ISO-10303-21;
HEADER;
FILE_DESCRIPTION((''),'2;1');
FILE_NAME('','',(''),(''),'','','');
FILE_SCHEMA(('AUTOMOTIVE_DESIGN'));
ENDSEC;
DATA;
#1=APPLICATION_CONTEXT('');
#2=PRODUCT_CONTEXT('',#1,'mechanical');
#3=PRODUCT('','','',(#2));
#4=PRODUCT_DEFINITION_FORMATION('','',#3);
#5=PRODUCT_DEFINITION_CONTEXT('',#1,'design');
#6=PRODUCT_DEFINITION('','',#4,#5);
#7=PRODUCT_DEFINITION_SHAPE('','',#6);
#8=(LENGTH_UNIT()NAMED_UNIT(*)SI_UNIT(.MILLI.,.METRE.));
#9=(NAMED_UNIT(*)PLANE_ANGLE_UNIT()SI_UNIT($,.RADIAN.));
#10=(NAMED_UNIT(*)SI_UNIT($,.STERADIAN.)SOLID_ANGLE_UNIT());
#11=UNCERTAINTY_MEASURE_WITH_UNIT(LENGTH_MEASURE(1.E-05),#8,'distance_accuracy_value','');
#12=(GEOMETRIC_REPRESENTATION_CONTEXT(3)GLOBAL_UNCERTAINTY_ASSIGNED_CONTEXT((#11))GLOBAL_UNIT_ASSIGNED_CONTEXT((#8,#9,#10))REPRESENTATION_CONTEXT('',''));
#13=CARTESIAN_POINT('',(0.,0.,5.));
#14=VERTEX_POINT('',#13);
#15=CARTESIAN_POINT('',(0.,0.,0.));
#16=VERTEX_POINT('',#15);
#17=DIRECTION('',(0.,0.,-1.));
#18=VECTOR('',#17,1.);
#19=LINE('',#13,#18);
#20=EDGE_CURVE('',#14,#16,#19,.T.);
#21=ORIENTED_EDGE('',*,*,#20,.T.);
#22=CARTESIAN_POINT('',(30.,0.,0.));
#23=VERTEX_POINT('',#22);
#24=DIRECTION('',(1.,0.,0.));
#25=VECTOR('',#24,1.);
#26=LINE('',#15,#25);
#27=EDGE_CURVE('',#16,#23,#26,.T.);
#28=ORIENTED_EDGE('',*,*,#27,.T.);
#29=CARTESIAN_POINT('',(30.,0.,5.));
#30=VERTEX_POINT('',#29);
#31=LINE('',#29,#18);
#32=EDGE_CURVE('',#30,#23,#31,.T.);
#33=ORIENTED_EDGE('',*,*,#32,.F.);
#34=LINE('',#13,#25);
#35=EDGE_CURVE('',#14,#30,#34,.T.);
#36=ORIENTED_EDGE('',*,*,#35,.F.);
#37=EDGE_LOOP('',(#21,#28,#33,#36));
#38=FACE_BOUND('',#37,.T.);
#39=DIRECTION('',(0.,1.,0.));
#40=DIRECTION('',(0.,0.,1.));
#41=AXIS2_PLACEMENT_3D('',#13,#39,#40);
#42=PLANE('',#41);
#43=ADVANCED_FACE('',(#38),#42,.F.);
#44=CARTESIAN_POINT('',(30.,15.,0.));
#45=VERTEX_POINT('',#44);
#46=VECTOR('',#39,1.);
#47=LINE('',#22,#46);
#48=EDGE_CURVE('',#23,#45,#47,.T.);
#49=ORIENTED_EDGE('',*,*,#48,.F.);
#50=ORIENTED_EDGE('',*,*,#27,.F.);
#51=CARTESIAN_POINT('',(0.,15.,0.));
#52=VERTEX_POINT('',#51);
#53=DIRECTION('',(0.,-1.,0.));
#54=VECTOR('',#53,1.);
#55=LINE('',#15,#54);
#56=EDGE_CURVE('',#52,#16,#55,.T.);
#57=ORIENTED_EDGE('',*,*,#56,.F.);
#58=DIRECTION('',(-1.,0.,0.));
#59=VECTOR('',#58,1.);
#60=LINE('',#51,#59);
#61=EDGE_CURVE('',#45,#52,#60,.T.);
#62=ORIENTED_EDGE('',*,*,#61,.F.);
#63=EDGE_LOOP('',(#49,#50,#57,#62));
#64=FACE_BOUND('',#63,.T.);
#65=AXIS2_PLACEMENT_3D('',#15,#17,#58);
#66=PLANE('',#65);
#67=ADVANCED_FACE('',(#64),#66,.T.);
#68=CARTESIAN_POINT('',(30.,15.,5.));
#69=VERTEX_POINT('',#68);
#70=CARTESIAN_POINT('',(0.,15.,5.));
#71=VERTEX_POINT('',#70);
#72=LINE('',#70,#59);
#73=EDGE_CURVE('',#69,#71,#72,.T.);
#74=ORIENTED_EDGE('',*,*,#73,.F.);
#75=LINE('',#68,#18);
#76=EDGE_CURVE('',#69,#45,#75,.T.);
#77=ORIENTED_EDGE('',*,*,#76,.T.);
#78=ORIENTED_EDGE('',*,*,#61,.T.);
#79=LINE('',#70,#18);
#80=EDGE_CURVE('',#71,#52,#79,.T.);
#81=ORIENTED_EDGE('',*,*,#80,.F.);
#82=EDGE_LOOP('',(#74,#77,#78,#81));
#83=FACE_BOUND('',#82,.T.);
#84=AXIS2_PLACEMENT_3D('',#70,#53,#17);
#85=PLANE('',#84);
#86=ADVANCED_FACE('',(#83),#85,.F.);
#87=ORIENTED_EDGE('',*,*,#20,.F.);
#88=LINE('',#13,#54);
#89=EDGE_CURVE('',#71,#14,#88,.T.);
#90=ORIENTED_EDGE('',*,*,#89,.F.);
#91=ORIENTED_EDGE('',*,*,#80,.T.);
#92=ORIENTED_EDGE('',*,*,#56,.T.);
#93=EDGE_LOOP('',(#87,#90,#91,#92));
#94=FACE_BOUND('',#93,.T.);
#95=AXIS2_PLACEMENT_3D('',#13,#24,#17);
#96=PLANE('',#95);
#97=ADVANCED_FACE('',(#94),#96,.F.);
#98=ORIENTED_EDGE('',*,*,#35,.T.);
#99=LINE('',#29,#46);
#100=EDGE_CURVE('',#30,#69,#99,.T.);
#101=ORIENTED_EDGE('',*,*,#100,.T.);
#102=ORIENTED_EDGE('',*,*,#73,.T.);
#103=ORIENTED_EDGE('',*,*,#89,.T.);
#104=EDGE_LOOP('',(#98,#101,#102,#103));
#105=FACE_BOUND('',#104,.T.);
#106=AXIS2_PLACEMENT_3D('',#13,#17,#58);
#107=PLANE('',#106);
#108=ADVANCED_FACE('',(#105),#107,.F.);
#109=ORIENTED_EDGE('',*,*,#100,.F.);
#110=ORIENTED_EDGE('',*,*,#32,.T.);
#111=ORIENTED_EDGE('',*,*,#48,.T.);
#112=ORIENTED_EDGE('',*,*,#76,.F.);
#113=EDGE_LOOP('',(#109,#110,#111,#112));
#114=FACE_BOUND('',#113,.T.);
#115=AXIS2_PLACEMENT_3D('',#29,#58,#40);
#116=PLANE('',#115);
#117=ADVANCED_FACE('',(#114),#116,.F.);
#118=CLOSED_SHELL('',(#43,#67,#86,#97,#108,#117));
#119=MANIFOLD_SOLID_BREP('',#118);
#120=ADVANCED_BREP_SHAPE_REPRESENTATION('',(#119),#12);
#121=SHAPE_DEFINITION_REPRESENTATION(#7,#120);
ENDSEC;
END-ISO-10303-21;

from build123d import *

# Parameters (mm, degrees)
SKETCH1_W           = 30
SKETCH1_H           = 15
BOSS_EXTRUDE1_DEPTH = 5


with BuildPart() as part:
    # Sketch1 → Boss-Extrude1 (new body)
    with BuildSketch(Plane.XY):
        with Locations((15, 7.5)):
            Rectangle(SKETCH1_W, SKETCH1_H)
    extrude(amount=BOSS_EXTRUDE1_DEPTH)


solid = part.part
